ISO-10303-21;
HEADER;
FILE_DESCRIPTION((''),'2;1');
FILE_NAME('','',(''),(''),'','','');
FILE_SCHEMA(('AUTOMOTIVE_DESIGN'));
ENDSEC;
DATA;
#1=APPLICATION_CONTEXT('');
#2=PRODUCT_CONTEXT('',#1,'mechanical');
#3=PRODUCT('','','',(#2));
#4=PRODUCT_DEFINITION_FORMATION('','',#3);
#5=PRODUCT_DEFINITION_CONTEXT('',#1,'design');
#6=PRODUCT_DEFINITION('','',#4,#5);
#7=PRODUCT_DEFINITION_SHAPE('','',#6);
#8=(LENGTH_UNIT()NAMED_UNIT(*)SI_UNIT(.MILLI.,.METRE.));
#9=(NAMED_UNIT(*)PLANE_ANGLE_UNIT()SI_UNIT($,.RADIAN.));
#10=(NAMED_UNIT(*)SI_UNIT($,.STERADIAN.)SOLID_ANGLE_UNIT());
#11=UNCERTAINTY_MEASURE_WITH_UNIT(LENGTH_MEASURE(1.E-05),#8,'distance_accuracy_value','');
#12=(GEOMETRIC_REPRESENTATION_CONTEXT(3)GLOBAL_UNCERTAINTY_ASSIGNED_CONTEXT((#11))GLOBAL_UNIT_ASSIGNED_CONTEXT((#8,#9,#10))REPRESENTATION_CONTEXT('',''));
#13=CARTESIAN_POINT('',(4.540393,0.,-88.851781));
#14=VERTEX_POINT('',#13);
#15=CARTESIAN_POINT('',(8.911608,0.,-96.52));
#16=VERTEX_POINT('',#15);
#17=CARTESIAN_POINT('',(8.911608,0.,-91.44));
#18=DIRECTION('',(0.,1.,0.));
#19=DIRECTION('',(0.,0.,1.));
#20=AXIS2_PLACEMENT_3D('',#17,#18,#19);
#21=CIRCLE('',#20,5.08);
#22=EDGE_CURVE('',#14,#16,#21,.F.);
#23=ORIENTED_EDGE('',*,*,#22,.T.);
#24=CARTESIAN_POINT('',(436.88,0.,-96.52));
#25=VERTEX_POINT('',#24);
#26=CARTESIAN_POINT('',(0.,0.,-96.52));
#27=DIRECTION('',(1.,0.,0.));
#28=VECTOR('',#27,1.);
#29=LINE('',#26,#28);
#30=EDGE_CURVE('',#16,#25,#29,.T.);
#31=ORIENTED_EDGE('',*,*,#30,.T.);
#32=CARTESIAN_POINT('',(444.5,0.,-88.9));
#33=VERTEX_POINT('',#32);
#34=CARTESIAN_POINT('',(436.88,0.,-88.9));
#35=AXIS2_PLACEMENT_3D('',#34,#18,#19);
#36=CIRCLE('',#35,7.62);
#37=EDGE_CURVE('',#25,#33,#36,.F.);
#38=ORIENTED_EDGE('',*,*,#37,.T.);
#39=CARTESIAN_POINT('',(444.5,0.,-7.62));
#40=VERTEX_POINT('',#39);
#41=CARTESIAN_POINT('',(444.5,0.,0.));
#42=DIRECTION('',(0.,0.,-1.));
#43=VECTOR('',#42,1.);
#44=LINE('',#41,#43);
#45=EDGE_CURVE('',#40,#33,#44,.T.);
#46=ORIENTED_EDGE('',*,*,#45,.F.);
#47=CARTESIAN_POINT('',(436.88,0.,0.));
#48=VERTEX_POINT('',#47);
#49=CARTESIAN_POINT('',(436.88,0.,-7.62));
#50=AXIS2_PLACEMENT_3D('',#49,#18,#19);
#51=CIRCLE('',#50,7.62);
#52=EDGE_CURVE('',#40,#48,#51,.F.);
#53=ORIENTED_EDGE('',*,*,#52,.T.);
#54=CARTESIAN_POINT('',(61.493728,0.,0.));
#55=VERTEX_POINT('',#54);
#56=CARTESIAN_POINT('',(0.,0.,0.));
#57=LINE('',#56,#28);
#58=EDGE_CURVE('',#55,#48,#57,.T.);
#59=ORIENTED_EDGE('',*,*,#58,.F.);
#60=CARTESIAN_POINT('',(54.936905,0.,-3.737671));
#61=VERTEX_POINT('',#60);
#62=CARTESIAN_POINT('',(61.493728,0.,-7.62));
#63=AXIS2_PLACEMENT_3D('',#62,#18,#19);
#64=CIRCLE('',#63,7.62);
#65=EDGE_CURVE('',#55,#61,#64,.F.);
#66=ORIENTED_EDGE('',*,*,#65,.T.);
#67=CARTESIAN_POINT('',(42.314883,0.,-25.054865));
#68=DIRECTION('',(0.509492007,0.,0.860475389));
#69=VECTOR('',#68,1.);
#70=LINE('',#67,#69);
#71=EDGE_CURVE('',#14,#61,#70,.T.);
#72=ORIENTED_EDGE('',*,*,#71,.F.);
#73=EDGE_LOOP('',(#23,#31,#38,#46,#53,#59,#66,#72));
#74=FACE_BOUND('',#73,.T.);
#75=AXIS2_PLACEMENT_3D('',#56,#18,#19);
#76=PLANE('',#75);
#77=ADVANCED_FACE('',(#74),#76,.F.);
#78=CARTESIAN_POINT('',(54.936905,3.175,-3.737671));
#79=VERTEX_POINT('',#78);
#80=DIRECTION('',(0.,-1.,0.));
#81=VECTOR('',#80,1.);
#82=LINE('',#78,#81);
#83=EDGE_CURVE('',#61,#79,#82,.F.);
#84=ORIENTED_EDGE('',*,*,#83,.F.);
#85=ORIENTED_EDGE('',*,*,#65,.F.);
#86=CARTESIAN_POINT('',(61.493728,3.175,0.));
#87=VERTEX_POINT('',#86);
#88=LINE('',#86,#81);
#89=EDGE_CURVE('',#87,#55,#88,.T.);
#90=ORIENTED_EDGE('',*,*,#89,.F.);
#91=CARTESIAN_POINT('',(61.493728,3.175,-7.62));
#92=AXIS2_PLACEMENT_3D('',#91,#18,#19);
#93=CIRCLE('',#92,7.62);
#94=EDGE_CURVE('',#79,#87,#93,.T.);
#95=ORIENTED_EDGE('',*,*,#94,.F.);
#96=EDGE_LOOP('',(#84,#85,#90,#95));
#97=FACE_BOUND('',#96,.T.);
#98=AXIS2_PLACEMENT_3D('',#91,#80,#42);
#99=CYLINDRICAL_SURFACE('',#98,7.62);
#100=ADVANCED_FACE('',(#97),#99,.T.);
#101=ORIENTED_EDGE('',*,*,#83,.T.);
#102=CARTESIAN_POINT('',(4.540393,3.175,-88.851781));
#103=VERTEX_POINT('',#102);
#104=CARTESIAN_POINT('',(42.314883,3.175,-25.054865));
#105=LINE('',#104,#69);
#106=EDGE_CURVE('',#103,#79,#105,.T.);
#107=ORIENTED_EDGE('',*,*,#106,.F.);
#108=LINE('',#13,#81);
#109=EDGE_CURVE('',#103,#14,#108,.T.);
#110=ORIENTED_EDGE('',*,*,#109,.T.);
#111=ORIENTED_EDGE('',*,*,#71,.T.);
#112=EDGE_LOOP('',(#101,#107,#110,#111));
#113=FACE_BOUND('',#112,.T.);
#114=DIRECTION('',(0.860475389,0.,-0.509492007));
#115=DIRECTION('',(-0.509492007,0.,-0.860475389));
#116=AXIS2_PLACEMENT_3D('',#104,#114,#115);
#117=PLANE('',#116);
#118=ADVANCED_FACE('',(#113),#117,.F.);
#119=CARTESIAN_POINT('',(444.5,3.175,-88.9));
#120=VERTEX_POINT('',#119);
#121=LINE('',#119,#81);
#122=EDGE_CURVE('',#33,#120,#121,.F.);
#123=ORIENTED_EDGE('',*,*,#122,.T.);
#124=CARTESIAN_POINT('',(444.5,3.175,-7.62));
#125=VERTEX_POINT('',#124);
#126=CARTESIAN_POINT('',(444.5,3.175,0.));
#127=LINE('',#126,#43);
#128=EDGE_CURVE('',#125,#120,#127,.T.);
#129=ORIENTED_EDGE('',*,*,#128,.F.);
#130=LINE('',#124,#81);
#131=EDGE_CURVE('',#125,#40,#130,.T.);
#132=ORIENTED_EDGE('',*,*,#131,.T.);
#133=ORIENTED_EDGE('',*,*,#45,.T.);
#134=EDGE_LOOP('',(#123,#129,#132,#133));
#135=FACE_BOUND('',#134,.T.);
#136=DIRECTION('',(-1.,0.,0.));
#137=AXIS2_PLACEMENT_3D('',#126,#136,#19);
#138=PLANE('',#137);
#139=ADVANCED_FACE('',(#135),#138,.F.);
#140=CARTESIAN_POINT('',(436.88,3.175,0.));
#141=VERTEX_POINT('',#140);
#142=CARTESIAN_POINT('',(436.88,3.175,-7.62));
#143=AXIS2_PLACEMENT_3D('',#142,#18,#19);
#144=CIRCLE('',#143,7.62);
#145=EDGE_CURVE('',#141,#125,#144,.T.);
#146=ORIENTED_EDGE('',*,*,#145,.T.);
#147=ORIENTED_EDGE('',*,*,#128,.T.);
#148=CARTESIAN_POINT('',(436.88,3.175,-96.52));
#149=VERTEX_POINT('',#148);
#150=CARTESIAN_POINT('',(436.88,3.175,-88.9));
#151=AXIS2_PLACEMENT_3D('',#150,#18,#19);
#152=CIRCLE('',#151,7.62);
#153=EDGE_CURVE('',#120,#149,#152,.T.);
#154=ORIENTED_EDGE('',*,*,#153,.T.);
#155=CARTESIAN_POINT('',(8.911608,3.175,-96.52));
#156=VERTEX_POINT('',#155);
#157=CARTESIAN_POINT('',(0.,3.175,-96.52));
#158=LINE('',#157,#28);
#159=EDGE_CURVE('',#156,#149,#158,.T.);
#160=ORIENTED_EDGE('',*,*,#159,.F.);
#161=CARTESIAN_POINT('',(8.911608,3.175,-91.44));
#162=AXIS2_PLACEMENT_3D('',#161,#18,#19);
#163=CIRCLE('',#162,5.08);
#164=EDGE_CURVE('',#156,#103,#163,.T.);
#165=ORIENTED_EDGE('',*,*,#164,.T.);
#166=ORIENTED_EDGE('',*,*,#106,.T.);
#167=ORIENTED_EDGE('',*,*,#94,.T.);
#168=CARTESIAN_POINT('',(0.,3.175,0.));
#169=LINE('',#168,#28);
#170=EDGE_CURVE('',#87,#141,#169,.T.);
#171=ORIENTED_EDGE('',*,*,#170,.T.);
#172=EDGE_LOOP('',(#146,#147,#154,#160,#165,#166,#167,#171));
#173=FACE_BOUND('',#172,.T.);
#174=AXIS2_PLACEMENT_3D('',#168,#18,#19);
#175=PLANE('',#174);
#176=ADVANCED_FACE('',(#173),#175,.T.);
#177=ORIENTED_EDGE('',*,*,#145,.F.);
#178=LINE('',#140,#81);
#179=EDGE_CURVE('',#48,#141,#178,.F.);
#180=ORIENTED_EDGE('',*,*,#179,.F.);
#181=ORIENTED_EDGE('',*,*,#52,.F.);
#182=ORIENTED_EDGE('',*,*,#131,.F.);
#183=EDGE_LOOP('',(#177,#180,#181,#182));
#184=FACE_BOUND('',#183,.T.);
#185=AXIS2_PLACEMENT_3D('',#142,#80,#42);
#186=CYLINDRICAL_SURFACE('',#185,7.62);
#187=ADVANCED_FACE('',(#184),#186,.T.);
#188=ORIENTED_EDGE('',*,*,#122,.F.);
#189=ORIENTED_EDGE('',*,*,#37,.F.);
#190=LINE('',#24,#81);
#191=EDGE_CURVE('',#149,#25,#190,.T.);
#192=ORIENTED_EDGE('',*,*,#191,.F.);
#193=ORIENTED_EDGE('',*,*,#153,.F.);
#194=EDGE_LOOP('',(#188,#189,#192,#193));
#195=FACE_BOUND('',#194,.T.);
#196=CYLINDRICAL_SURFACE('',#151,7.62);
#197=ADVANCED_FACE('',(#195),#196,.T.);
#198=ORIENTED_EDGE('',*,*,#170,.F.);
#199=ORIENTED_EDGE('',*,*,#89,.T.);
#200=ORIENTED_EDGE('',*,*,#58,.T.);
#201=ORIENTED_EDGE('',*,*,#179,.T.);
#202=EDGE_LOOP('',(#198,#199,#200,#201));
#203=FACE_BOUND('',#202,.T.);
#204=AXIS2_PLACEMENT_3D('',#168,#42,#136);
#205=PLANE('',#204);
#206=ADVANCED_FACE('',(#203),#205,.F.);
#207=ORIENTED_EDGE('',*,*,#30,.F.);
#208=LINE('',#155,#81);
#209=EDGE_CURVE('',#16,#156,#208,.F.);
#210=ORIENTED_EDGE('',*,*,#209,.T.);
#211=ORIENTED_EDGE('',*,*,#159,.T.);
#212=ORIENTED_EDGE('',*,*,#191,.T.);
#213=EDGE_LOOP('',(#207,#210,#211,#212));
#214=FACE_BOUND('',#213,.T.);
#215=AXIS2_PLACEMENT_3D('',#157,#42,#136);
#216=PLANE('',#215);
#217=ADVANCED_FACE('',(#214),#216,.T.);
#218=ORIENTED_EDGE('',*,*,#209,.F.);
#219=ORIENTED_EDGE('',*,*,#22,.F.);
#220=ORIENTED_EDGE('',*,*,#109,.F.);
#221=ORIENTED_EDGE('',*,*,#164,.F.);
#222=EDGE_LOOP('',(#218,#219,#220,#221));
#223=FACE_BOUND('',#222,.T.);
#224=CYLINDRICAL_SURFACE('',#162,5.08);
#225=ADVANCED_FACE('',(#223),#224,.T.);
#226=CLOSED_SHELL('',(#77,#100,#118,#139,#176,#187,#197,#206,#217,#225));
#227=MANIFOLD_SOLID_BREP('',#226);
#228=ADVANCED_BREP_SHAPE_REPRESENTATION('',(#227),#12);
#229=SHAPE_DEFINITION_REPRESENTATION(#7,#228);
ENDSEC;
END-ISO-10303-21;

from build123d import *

# Parameters (mm, degrees)
BOSS_EXTRUDE2_DEPTH = 3.175
FILLET3_R           = 7.62
FILLET4_R           = 5.08


with BuildPart() as part:
    # Sketch2 → Boss-Extrude2 (new body)
    with BuildSketch(Plane(origin=(0, 0, 0), x_dir=(1, 0, 0), z_dir=(0, 1, 0))):
        Polygon((444.5, 96.52), (0, 96.52), (57.15, 0), (444.5, 0), align=None)
    extrude(amount=BOSS_EXTRUDE2_DEPTH)

    # Fillet3
    fillet3_edges = [part.edges().sort_by_distance(p)[0] for p in [
        (57.15, 1.5875, 0),
        (444.5, 1.5875, -96.52),
        (444.5, 1.5875, 0),
    ]]
    fillet(fillet3_edges, radius=FILLET3_R)

    # Fillet4
    fillet4_edges = [part.edges().sort_by_distance(p)[0] for p in [
        (0, 1.5875, -96.52),
    ]]
    fillet(fillet4_edges, radius=FILLET4_R)


solid = part.part
